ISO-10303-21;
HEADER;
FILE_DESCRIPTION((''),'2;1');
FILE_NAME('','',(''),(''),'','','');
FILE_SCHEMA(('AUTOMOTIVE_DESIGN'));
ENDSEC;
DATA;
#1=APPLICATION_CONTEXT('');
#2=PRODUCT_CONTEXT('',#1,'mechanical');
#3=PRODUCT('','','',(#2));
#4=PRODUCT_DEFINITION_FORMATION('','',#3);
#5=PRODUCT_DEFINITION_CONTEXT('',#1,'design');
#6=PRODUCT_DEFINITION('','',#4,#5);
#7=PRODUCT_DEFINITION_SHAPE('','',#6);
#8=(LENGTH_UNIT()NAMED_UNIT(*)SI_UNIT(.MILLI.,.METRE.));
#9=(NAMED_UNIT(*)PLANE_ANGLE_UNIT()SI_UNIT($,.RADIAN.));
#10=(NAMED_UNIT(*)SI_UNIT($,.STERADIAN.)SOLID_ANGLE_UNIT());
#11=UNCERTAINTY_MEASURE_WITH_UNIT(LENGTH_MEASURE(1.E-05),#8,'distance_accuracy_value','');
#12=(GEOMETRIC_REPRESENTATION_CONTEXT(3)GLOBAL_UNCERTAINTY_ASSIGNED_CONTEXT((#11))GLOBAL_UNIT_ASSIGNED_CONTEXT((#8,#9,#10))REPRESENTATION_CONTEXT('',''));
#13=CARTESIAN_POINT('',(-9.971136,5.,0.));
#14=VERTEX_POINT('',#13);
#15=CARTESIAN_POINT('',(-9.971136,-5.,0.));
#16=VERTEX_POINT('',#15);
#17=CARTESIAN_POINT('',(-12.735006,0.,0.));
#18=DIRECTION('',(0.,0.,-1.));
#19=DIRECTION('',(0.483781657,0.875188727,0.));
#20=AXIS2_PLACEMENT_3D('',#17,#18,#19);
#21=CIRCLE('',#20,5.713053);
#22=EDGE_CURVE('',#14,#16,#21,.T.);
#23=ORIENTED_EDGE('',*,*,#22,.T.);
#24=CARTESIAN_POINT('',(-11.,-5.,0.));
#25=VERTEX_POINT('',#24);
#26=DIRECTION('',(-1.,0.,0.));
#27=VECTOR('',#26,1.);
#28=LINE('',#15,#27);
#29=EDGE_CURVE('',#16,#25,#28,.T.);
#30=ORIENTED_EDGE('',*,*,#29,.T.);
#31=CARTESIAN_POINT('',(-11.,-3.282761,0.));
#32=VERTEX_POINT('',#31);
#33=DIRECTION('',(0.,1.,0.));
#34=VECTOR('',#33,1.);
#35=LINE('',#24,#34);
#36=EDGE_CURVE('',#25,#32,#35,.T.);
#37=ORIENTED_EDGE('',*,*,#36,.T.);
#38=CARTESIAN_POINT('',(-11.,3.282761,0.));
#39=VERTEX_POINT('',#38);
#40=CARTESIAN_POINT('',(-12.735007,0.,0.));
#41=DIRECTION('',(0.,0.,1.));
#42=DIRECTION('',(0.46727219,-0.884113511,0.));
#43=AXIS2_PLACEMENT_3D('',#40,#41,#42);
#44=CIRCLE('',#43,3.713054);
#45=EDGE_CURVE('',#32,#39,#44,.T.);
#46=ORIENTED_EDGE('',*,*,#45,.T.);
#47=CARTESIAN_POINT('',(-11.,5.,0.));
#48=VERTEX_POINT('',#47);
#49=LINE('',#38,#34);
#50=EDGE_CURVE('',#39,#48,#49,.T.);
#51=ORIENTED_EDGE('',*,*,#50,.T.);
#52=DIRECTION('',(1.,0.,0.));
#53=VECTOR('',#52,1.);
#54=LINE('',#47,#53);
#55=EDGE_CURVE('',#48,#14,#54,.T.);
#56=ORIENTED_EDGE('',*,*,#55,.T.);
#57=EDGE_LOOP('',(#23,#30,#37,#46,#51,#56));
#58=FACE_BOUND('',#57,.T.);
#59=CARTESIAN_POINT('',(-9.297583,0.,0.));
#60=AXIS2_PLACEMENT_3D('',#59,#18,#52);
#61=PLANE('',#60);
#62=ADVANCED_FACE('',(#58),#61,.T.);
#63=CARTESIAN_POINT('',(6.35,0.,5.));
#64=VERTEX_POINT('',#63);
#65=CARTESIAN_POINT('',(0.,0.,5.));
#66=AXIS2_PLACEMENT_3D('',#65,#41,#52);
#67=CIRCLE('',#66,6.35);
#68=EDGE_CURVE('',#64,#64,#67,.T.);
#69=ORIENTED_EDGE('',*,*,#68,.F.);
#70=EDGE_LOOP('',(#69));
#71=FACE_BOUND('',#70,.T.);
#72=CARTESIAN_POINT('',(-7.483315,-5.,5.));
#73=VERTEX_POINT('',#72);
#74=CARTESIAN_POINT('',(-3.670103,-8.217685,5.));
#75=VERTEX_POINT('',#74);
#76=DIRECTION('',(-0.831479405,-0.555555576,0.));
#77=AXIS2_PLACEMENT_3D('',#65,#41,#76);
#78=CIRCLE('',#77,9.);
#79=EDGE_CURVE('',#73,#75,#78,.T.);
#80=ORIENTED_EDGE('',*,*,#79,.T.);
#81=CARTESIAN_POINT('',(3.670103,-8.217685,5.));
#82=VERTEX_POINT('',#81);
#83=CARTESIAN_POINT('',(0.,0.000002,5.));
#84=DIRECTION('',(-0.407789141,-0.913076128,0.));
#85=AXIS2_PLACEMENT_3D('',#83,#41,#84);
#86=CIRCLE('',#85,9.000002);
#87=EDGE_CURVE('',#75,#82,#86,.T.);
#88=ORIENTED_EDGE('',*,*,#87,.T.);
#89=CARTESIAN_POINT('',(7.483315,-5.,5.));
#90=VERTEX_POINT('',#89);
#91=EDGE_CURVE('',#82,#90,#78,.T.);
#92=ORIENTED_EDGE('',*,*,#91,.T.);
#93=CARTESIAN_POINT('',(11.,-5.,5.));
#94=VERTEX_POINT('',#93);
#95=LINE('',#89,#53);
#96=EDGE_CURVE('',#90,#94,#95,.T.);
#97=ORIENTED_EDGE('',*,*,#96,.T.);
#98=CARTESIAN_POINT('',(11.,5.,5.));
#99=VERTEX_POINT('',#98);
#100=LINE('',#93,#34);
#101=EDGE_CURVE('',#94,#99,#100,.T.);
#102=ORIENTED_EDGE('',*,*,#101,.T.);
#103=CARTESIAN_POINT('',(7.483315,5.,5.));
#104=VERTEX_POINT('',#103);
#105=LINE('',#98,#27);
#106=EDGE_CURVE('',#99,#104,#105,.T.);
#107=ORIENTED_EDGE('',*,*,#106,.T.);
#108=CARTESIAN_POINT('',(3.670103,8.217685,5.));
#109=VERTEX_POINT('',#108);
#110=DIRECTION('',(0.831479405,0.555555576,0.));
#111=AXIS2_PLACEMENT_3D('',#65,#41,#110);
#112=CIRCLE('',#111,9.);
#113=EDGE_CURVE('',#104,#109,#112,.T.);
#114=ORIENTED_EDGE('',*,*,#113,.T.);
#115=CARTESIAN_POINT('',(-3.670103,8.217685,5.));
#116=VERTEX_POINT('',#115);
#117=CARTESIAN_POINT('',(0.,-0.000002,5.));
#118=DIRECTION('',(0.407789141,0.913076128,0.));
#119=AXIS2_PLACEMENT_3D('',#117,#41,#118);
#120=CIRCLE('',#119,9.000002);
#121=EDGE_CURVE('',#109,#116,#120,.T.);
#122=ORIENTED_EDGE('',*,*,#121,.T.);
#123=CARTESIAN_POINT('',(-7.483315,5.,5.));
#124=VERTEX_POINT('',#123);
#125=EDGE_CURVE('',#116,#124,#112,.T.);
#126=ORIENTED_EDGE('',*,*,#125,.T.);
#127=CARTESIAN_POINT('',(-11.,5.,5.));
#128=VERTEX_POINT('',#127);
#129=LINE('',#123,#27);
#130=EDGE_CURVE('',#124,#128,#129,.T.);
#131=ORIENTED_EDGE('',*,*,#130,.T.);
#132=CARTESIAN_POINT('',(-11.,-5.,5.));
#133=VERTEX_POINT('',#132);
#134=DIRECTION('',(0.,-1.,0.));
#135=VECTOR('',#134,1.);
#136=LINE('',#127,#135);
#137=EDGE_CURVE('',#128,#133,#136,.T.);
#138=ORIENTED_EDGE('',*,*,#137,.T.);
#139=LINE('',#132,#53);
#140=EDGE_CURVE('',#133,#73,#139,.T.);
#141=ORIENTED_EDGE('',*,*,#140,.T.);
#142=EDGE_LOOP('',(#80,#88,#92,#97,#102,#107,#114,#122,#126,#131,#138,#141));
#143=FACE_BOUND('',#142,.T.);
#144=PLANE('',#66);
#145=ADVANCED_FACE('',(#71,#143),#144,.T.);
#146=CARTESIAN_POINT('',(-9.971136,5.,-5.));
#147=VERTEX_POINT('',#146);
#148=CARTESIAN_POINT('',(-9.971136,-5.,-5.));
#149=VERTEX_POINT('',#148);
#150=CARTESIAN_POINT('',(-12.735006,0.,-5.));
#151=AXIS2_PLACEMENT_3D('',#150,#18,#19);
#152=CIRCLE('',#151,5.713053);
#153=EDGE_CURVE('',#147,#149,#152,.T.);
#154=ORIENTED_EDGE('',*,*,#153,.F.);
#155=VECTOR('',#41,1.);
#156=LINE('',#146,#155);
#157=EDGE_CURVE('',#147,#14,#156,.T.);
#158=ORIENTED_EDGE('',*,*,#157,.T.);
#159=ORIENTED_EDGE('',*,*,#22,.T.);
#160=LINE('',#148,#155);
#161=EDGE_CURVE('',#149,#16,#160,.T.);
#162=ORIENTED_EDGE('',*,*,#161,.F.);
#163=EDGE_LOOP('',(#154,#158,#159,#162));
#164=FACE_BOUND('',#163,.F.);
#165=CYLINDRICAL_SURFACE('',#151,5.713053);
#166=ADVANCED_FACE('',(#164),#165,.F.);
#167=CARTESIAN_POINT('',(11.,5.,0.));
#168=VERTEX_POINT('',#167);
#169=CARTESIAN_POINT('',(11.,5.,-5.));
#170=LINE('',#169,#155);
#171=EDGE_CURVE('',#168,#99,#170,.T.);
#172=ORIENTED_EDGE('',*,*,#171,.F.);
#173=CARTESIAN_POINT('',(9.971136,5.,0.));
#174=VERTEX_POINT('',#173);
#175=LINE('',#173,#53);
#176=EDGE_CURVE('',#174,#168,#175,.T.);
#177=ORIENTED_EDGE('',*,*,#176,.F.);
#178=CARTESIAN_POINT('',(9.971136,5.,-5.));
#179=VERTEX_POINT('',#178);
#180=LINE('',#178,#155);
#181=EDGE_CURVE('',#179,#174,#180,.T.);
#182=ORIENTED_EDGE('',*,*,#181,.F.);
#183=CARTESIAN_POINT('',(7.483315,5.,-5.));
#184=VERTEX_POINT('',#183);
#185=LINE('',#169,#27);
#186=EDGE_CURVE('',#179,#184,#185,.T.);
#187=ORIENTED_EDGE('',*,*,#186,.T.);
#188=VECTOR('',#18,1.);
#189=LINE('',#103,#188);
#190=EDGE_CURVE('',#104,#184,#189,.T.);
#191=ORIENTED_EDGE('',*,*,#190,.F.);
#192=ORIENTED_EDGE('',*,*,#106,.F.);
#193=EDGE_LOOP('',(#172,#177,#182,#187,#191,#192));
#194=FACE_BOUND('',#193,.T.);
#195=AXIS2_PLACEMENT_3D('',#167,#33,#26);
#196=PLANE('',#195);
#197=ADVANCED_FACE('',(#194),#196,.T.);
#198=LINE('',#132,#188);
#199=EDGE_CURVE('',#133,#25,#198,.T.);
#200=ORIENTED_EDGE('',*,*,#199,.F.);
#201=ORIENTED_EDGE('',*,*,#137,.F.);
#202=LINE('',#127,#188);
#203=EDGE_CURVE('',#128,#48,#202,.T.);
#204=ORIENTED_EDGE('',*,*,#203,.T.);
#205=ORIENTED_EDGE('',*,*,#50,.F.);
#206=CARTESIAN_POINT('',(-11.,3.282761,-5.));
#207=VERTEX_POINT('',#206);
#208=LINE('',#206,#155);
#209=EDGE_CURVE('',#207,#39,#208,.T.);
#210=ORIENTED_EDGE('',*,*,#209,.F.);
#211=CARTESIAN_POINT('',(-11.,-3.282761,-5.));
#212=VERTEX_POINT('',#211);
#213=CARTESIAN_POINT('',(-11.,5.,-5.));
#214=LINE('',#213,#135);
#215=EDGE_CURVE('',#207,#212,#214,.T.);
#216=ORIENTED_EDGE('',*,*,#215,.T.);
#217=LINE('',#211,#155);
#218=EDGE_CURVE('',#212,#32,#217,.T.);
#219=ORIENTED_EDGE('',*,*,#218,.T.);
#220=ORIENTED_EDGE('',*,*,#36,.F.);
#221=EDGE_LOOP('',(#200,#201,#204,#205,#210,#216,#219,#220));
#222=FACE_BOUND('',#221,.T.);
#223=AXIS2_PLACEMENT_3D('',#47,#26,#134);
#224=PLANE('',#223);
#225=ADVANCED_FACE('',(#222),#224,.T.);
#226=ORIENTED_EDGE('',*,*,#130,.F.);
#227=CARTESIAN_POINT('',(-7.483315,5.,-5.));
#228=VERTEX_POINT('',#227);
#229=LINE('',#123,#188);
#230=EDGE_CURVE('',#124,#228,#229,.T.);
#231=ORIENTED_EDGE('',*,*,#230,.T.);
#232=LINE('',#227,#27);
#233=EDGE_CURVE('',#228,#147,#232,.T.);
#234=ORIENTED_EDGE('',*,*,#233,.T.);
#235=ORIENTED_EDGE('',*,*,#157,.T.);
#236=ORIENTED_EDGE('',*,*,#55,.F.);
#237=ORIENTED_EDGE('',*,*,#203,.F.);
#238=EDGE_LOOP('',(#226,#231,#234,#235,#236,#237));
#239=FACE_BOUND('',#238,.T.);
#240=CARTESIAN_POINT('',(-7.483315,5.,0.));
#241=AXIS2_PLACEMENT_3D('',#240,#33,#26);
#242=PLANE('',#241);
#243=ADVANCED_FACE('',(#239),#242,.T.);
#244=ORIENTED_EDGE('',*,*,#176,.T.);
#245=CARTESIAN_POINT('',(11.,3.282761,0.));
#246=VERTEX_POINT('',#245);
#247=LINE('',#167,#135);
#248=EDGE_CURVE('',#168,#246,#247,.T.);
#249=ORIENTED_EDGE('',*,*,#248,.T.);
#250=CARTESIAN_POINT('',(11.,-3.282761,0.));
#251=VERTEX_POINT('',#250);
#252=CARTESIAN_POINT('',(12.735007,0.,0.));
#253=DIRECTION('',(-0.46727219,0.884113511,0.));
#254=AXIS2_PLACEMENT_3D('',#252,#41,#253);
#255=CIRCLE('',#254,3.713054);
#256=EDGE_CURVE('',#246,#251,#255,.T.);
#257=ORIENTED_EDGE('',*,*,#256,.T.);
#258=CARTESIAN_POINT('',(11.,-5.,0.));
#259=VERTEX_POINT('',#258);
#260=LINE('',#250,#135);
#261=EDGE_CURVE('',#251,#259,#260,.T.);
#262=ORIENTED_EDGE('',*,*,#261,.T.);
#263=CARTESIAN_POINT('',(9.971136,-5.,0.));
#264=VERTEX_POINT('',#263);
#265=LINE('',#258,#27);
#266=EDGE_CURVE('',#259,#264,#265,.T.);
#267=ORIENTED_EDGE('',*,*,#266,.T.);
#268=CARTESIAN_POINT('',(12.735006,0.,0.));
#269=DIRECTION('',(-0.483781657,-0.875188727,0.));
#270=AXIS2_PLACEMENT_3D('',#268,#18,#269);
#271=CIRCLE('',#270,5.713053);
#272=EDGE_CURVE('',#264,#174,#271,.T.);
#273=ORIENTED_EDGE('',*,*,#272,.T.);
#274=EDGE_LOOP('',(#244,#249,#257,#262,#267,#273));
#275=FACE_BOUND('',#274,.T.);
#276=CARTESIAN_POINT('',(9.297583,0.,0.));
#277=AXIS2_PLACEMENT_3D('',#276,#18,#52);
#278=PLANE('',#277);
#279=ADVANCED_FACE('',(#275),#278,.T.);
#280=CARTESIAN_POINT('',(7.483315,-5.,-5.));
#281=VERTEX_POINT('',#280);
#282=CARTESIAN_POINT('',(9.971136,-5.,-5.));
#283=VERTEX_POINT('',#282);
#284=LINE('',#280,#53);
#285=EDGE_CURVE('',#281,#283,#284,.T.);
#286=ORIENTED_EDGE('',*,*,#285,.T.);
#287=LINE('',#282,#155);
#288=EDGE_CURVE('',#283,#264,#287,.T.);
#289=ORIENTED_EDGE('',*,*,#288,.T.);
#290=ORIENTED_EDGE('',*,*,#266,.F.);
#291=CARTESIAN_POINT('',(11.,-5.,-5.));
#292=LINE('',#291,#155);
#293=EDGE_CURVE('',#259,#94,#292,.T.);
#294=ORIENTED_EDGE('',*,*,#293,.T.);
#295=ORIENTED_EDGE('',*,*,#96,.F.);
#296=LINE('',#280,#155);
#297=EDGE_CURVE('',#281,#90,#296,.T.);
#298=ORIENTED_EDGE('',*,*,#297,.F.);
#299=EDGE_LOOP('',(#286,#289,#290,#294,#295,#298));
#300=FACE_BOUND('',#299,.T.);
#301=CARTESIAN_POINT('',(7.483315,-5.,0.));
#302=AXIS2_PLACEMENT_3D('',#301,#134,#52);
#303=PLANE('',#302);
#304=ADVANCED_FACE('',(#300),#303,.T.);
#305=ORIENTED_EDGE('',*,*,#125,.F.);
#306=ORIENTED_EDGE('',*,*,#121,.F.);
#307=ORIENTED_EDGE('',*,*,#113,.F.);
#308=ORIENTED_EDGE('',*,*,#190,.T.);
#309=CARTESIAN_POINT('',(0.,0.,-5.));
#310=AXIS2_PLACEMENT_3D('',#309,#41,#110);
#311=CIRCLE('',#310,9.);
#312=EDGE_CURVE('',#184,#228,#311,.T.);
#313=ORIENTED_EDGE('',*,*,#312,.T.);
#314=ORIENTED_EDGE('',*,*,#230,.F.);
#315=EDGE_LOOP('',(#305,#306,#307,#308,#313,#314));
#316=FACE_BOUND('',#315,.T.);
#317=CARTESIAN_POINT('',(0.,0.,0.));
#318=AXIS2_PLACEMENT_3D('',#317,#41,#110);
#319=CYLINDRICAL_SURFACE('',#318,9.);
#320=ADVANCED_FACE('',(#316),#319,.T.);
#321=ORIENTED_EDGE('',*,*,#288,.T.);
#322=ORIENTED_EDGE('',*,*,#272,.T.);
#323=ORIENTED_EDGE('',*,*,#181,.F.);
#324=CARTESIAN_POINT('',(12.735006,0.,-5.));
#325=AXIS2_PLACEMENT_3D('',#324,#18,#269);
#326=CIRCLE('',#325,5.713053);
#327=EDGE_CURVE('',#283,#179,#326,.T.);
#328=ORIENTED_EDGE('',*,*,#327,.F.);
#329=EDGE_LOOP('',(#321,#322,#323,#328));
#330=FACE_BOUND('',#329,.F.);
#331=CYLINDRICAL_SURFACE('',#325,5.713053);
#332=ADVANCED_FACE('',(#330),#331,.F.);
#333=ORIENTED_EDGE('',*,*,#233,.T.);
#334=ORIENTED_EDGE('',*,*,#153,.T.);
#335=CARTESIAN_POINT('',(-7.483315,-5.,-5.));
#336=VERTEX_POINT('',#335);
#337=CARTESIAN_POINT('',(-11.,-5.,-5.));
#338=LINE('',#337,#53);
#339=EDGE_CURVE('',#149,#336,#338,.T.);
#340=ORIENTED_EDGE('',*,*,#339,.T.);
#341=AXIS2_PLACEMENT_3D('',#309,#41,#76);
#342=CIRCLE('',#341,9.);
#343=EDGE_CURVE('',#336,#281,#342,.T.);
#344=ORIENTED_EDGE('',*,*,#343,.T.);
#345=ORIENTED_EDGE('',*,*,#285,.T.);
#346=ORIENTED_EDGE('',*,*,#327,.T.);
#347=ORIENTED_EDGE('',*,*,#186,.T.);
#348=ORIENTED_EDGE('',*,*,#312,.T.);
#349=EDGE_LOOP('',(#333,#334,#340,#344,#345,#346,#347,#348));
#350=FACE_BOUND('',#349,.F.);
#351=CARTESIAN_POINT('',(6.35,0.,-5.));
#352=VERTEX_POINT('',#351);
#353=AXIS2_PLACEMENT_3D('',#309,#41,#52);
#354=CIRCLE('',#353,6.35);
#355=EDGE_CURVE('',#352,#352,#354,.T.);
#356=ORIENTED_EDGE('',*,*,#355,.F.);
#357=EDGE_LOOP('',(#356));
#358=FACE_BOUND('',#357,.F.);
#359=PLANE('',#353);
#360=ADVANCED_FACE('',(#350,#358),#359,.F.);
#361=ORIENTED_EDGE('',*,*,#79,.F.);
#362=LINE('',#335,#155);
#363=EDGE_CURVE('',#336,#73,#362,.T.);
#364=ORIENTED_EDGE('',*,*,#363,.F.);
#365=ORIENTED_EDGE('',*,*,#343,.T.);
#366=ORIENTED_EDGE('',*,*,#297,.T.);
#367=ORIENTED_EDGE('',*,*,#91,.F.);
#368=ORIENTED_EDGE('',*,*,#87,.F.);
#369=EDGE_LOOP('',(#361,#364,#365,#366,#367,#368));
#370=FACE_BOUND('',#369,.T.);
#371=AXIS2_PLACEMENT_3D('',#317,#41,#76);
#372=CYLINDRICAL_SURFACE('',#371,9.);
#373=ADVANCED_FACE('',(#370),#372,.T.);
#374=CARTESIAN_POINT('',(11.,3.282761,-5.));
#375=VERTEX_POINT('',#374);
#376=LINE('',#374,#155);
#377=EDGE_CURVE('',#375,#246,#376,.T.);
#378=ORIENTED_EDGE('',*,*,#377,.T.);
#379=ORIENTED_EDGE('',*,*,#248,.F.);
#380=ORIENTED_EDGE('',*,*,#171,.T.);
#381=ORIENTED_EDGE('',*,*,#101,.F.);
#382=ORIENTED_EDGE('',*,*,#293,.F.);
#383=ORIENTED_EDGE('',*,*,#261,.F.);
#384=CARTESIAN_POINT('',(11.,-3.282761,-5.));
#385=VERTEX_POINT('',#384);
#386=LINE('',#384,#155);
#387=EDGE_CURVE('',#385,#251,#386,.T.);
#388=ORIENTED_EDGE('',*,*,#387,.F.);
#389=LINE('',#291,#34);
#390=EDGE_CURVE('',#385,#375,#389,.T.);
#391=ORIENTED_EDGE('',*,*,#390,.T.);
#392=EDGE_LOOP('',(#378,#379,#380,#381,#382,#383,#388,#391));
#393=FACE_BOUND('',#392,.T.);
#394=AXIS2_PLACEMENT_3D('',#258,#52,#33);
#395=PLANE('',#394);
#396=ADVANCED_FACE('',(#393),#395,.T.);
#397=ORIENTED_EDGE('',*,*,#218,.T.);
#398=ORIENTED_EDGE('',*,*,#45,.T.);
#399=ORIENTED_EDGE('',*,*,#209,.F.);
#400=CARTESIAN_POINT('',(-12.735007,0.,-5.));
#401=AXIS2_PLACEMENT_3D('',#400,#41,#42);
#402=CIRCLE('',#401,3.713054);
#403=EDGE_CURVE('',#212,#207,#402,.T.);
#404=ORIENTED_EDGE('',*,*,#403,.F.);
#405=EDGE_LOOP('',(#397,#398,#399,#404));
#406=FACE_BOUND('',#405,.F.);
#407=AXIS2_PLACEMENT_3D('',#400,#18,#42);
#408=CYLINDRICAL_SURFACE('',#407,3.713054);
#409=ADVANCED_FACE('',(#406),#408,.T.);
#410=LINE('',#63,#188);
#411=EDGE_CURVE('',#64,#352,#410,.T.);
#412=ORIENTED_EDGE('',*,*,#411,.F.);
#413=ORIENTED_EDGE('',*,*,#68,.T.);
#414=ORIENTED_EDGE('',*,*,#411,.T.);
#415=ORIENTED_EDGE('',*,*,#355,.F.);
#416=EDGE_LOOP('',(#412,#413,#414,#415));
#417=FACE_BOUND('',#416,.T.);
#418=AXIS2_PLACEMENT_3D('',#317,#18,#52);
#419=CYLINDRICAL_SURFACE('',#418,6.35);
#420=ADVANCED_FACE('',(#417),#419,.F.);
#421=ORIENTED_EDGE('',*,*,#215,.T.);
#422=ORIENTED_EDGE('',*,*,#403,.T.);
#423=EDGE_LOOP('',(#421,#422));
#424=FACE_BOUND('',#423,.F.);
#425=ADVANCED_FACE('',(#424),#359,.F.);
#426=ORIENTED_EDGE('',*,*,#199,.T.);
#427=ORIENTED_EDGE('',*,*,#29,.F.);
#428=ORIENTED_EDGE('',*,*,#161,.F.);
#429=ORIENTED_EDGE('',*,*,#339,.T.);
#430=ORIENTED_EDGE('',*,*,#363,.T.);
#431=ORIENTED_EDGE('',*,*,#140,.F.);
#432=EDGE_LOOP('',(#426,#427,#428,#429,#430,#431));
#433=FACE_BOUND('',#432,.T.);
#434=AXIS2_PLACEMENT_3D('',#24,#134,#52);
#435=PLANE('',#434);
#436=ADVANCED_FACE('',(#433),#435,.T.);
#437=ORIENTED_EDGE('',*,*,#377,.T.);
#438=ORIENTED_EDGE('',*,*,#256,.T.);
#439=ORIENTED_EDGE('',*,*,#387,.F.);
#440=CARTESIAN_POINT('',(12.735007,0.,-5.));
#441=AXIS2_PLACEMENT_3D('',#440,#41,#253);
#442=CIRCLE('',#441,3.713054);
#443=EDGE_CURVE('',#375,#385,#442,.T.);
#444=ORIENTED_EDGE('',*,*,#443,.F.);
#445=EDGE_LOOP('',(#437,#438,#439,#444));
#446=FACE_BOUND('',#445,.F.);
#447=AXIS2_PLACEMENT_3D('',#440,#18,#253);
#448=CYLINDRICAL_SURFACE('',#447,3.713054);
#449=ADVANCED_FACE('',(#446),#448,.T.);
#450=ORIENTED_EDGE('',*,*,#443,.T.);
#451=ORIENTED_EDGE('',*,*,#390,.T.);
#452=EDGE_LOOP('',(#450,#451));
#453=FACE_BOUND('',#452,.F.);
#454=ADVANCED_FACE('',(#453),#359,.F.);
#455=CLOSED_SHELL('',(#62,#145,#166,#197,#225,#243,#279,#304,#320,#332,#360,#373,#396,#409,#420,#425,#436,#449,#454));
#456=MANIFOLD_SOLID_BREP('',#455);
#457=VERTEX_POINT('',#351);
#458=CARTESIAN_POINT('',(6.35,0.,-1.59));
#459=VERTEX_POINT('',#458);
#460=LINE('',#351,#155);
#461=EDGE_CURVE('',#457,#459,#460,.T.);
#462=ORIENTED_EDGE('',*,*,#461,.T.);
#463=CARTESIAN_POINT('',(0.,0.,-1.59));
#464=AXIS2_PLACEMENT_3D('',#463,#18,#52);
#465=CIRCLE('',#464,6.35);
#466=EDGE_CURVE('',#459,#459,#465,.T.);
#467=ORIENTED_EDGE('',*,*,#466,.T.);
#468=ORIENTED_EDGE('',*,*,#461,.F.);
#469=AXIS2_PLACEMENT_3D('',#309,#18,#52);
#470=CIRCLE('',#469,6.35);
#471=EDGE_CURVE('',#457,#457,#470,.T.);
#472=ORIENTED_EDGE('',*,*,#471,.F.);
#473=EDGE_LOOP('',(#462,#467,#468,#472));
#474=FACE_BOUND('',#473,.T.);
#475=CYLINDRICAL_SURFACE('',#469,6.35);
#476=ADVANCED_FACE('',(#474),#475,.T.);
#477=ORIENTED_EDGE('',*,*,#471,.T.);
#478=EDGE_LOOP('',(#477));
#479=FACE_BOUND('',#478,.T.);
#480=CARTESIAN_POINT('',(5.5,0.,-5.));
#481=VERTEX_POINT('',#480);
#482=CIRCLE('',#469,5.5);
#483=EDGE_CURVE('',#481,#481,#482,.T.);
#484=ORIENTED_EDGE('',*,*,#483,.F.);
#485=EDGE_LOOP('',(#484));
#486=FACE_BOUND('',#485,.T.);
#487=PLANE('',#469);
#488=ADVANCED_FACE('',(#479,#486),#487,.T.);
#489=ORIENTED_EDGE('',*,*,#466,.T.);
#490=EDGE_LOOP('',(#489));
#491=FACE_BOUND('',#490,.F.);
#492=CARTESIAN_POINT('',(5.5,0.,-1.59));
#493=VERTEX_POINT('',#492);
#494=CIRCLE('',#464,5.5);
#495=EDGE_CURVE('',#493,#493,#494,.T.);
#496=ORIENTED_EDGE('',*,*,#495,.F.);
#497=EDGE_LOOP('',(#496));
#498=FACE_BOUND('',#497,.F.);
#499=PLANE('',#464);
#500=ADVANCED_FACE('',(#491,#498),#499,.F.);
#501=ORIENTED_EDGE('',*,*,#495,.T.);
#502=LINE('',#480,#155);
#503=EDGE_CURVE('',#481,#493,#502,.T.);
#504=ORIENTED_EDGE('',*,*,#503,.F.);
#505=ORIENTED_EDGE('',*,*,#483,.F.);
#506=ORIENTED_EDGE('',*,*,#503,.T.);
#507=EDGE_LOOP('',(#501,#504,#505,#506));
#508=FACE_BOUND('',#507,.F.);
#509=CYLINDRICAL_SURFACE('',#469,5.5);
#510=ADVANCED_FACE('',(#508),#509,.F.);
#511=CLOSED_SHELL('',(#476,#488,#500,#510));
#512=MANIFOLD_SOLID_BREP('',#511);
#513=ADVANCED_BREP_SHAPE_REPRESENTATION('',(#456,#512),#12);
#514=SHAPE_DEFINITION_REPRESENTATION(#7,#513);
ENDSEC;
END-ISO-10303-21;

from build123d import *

# Parameters (mm, degrees)
F0_R     = 6.35
F1_DEPTH = 5
F3_DEPTH = 5
F5_DEPTH = 25
F6_R     = 6.35
F6_R_2   = 5.5
F7_DEPTH = 3.41


with BuildPart() as f1:
    # F0 (on Top) → F1 (new body, symmetric)
    with BuildSketch(Plane.XY):
        with BuildLine():
            Line((-11, -5), (-7.483315, -5))
            ThreePointArc((-7.483315, -5), (0, -9), (7.483315, -5))
            Line((7.483315, -5), (11, -5))
            Line((11, -5), (11, 5))
            Line((11, 5), (7.483315, 5))
            ThreePointArc((7.483315, 5), (0, 9), (-7.483315, 5))
            Line((-7.483315, 5), (-11, 5))
            Line((-11, 5), (-11, -5))
        make_face()
        Circle(F0_R, mode=Mode.SUBTRACT)
    extrude(amount=F1_DEPTH, both=True)

    # F2 (on face) → F3 (cut)
    with BuildSketch(Plane(origin=(0, 0, -5), x_dir=(1, 0, 0), z_dir=(0, 0, -1))):
        with BuildLine():
            ThreePointArc((-11, 3.282761), (-9.021953, 0), (-11, -3.282761))
            Line((-11, -3.282761), (-11, -5))
            Line((-11, -5), (-9.971136, -5))
            ThreePointArc((-9.971136, -5), (-7.021953, 0), (-9.971136, 5))
            Line((-9.971136, 5), (-11, 5))
            Line((-11, 5), (-11, 3.282761))
        make_face()
        with BuildLine():
            ThreePointArc((9.971136, 5), (7.021953, 0), (9.971136, -5))
            Line((9.971136, -5), (11, -5))
            Line((11, -5), (11, -3.282761))
            ThreePointArc((11, -3.282761), (9.021953, 0), (11, 3.282761))
            Line((11, 3.282761), (11, 5))
            Line((11, 5), (9.971136, 5))
        make_face()
    extrude(amount=-F3_DEPTH, mode=Mode.SUBTRACT)

    # F4 (on face) → F5 (cut)
    with BuildSketch(Plane.XY.offset(5)):
        with BuildLine():
            ThreePointArc((3.670103, 8.217685), (0, 9), (-3.670103, 8.217685))
            Line((-3.670103, 8.217685), (3.670103, 8.217685))
        make_face()
        with BuildLine():
            Line((3.670103, -8.217685), (-3.670103, -8.217685))
            ThreePointArc((-3.670103, -8.217685), (0, -9), (3.670103, -8.217685))
        make_face()
    extrude(amount=F5_DEPTH, mode=Mode.SUBTRACT)


with BuildPart() as f7:
    # F6 (on face) → F7 (new body)
    with BuildSketch(Plane(origin=(0, 0, -5), x_dir=(1, 0, 0), z_dir=(0, 0, -1))):
        Circle(F6_R)
        Circle(F6_R_2, mode=Mode.SUBTRACT)
    extrude(amount=-F7_DEPTH)


solid = Compound([f1.part, f7.part])
